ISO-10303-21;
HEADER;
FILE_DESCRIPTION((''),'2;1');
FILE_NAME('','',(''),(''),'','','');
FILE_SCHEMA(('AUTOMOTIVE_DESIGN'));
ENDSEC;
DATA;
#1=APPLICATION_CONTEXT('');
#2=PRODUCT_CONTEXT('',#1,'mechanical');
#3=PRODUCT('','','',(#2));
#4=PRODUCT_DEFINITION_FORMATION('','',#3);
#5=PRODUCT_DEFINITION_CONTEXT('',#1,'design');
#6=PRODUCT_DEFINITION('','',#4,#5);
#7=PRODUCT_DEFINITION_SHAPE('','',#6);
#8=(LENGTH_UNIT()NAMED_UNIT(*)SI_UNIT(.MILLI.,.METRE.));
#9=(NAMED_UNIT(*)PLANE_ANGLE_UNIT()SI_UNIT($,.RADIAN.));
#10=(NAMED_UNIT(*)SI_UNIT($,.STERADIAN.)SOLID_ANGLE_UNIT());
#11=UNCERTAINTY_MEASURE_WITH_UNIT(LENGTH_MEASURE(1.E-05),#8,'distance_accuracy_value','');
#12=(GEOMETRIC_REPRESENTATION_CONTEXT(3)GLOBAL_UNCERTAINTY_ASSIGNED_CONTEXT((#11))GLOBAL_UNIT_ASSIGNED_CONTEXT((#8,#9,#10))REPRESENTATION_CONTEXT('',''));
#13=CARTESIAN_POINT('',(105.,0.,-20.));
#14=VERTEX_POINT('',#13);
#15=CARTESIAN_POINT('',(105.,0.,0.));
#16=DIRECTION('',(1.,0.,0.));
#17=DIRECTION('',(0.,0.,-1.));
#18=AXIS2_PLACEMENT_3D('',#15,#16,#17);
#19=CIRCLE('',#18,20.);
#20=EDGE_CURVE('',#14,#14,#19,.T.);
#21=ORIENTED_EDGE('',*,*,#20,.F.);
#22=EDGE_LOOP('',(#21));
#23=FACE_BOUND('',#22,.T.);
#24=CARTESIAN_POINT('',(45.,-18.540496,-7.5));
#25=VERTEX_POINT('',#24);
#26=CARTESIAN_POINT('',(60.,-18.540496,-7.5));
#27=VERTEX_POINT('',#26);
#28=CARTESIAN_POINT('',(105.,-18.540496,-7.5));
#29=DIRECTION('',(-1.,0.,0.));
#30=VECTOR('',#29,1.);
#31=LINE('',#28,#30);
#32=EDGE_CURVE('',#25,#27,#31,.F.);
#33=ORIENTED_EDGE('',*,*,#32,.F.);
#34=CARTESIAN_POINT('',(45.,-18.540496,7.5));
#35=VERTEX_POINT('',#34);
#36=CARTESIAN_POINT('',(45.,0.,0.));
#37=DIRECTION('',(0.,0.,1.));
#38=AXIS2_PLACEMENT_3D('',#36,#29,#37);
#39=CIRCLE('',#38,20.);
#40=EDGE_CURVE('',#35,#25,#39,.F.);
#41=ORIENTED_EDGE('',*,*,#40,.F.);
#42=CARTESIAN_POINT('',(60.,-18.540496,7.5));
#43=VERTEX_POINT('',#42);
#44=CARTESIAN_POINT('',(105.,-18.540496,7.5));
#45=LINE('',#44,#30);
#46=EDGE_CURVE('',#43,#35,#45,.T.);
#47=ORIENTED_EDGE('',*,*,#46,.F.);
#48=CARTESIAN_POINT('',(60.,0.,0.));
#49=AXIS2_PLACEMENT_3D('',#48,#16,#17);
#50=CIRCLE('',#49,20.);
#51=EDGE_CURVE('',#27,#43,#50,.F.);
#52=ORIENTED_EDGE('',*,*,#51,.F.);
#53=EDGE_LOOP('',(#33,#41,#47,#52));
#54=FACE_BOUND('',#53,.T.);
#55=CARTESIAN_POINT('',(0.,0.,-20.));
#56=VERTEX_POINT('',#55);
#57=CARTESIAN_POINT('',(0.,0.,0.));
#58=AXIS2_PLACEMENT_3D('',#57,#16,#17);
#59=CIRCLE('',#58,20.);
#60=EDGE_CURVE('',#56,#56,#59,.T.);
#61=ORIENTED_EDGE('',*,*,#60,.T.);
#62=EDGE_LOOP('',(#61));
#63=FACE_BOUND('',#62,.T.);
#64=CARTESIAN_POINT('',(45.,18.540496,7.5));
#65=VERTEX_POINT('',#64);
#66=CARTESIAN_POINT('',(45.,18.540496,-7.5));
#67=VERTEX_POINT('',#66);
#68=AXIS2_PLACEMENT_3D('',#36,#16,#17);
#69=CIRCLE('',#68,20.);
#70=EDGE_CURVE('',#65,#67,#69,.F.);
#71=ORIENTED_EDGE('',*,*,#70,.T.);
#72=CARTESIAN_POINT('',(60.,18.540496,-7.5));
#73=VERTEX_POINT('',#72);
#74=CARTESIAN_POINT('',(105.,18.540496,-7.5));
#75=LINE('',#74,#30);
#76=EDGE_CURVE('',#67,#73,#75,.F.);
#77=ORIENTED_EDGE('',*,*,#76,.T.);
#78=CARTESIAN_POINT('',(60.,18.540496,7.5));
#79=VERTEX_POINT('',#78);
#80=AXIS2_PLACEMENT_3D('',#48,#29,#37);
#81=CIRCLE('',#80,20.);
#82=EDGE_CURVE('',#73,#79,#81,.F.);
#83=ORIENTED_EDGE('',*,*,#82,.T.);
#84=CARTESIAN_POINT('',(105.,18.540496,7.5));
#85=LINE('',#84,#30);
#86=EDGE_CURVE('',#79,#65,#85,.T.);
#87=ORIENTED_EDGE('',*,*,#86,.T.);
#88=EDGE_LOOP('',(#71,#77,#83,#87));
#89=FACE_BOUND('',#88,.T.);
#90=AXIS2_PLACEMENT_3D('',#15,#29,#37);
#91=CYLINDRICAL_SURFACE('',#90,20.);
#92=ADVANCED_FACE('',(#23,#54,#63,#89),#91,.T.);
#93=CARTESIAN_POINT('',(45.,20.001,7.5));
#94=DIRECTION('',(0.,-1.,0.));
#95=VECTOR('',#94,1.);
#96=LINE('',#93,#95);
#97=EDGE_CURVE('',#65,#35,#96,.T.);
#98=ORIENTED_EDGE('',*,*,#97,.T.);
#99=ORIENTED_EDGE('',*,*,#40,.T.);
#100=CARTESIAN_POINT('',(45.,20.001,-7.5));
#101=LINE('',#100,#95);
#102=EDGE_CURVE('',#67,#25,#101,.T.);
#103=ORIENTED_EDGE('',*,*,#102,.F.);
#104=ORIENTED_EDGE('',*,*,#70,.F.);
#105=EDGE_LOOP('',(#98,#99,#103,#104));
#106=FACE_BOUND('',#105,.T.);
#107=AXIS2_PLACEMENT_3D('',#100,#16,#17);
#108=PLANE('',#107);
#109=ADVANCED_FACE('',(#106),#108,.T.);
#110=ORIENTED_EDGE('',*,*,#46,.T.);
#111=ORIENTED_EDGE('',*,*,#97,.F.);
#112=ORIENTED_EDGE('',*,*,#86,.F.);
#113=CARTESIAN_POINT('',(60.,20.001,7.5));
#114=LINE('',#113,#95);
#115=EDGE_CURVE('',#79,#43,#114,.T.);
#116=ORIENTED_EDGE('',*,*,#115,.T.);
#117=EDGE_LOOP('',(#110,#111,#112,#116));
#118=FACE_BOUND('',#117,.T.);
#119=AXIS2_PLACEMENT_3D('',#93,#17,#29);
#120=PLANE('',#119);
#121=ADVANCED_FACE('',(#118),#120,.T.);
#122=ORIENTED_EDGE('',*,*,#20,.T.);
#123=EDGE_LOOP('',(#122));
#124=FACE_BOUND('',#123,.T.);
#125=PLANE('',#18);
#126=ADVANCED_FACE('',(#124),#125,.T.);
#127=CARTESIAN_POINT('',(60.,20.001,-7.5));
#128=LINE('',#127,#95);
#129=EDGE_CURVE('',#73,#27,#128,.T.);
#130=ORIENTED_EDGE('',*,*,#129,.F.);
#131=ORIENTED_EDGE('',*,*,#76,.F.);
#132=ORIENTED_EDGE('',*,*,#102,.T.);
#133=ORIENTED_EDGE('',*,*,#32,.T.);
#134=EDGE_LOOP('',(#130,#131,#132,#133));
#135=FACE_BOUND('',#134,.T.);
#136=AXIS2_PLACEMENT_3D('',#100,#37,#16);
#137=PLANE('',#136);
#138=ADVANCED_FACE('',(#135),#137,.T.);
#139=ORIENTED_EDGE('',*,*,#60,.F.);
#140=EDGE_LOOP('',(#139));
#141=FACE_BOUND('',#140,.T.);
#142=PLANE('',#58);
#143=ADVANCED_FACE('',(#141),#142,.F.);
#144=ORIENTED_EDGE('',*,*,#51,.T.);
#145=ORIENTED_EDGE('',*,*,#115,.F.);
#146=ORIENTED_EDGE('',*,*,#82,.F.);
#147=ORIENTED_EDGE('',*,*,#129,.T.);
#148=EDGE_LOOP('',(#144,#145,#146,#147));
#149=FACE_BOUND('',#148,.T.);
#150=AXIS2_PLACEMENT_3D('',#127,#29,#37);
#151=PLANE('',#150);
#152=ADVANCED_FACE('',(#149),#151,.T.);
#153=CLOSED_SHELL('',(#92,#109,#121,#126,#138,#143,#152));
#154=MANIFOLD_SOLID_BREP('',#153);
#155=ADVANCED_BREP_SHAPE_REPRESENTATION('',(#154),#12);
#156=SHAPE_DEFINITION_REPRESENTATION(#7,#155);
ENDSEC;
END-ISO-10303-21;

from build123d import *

# Parameters (mm, degrees)
SKETCH1_R                           = 20
BOSS_EXTRUDE1_DEPTH                 = 105
CUT_EXTRUDE1_REACH                  = 110.743
CUT_EXTRUDE1_END_RADIUS             = 20
SKETCH2_W                           = 15
SKETCH2_H                           = 15
CUT_EXTRUDE1_DIRECTION_2_REACH      = 110.743
CUT_EXTRUDE1_DIRECTION_2_END_RADIUS = 20


with BuildPart() as part:
    # Sketch1 → Boss-Extrude1 (new body)
    with BuildSketch(Plane(origin=(0, 0, 0), x_dir=(0, 0, -1), z_dir=(1, 0, 0))):
        Circle(SKETCH1_R)
    extrude(amount=BOSS_EXTRUDE1_DEPTH)

    # Cut-Extrude1: up to this cylinder (the profile starts inside it)
    cut_extrude1_end = Plane(origin=(52.5, 0, 0), z_dir=(-1, 0, 0)) * Cylinder(CUT_EXTRUDE1_END_RADIUS, 262.486, mode=Mode.PRIVATE)
    # Sketch2 → Cut-Extrude1 (cut, up to the surface)
    with BuildSketch(Plane(origin=(0, 0, 0), x_dir=(1, 0, 0), z_dir=(0, 1, 0)), mode=Mode.PRIVATE) as cut_extrude1_sk1:
        with Locations((52.5, 0)):
            Rectangle(SKETCH2_W, SKETCH2_H)
    cut_extrude1_tool1 = extrude(cut_extrude1_sk1.sketch, amount=-CUT_EXTRUDE1_REACH, mode=Mode.PRIVATE) & cut_extrude1_end
    add(cut_extrude1_tool1.solids().sort_by_distance((52.5, 0, 0))[0], mode=Mode.SUBTRACT)

    # Cut-Extrude1 direction 2: up to this cylinder (the profile starts inside it)
    cut_extrude1_direction_2_end = Plane(origin=(52.5, 0, 0), z_dir=(-1, 0, 0)) * Cylinder(CUT_EXTRUDE1_DIRECTION_2_END_RADIUS, 262.486, mode=Mode.PRIVATE)
    # Sketch2 → Cut-Extrude1 direction 2 (cut, up to the surface)
    with BuildSketch(Plane(origin=(0, 0, 0), x_dir=(1, 0, 0), z_dir=(0, 1, 0)), mode=Mode.PRIVATE) as cut_extrude1_direction_2_sk1:
        with Locations((52.5, 0)):
            Rectangle(SKETCH2_W, SKETCH2_H)
    cut_extrude1_direction_2_tool1 = extrude(cut_extrude1_direction_2_sk1.sketch, amount=CUT_EXTRUDE1_DIRECTION_2_REACH, mode=Mode.PRIVATE) & cut_extrude1_direction_2_end
    add(cut_extrude1_direction_2_tool1.solids().sort_by_distance((52.5, 0, 0))[0], mode=Mode.SUBTRACT)


solid = part.part
